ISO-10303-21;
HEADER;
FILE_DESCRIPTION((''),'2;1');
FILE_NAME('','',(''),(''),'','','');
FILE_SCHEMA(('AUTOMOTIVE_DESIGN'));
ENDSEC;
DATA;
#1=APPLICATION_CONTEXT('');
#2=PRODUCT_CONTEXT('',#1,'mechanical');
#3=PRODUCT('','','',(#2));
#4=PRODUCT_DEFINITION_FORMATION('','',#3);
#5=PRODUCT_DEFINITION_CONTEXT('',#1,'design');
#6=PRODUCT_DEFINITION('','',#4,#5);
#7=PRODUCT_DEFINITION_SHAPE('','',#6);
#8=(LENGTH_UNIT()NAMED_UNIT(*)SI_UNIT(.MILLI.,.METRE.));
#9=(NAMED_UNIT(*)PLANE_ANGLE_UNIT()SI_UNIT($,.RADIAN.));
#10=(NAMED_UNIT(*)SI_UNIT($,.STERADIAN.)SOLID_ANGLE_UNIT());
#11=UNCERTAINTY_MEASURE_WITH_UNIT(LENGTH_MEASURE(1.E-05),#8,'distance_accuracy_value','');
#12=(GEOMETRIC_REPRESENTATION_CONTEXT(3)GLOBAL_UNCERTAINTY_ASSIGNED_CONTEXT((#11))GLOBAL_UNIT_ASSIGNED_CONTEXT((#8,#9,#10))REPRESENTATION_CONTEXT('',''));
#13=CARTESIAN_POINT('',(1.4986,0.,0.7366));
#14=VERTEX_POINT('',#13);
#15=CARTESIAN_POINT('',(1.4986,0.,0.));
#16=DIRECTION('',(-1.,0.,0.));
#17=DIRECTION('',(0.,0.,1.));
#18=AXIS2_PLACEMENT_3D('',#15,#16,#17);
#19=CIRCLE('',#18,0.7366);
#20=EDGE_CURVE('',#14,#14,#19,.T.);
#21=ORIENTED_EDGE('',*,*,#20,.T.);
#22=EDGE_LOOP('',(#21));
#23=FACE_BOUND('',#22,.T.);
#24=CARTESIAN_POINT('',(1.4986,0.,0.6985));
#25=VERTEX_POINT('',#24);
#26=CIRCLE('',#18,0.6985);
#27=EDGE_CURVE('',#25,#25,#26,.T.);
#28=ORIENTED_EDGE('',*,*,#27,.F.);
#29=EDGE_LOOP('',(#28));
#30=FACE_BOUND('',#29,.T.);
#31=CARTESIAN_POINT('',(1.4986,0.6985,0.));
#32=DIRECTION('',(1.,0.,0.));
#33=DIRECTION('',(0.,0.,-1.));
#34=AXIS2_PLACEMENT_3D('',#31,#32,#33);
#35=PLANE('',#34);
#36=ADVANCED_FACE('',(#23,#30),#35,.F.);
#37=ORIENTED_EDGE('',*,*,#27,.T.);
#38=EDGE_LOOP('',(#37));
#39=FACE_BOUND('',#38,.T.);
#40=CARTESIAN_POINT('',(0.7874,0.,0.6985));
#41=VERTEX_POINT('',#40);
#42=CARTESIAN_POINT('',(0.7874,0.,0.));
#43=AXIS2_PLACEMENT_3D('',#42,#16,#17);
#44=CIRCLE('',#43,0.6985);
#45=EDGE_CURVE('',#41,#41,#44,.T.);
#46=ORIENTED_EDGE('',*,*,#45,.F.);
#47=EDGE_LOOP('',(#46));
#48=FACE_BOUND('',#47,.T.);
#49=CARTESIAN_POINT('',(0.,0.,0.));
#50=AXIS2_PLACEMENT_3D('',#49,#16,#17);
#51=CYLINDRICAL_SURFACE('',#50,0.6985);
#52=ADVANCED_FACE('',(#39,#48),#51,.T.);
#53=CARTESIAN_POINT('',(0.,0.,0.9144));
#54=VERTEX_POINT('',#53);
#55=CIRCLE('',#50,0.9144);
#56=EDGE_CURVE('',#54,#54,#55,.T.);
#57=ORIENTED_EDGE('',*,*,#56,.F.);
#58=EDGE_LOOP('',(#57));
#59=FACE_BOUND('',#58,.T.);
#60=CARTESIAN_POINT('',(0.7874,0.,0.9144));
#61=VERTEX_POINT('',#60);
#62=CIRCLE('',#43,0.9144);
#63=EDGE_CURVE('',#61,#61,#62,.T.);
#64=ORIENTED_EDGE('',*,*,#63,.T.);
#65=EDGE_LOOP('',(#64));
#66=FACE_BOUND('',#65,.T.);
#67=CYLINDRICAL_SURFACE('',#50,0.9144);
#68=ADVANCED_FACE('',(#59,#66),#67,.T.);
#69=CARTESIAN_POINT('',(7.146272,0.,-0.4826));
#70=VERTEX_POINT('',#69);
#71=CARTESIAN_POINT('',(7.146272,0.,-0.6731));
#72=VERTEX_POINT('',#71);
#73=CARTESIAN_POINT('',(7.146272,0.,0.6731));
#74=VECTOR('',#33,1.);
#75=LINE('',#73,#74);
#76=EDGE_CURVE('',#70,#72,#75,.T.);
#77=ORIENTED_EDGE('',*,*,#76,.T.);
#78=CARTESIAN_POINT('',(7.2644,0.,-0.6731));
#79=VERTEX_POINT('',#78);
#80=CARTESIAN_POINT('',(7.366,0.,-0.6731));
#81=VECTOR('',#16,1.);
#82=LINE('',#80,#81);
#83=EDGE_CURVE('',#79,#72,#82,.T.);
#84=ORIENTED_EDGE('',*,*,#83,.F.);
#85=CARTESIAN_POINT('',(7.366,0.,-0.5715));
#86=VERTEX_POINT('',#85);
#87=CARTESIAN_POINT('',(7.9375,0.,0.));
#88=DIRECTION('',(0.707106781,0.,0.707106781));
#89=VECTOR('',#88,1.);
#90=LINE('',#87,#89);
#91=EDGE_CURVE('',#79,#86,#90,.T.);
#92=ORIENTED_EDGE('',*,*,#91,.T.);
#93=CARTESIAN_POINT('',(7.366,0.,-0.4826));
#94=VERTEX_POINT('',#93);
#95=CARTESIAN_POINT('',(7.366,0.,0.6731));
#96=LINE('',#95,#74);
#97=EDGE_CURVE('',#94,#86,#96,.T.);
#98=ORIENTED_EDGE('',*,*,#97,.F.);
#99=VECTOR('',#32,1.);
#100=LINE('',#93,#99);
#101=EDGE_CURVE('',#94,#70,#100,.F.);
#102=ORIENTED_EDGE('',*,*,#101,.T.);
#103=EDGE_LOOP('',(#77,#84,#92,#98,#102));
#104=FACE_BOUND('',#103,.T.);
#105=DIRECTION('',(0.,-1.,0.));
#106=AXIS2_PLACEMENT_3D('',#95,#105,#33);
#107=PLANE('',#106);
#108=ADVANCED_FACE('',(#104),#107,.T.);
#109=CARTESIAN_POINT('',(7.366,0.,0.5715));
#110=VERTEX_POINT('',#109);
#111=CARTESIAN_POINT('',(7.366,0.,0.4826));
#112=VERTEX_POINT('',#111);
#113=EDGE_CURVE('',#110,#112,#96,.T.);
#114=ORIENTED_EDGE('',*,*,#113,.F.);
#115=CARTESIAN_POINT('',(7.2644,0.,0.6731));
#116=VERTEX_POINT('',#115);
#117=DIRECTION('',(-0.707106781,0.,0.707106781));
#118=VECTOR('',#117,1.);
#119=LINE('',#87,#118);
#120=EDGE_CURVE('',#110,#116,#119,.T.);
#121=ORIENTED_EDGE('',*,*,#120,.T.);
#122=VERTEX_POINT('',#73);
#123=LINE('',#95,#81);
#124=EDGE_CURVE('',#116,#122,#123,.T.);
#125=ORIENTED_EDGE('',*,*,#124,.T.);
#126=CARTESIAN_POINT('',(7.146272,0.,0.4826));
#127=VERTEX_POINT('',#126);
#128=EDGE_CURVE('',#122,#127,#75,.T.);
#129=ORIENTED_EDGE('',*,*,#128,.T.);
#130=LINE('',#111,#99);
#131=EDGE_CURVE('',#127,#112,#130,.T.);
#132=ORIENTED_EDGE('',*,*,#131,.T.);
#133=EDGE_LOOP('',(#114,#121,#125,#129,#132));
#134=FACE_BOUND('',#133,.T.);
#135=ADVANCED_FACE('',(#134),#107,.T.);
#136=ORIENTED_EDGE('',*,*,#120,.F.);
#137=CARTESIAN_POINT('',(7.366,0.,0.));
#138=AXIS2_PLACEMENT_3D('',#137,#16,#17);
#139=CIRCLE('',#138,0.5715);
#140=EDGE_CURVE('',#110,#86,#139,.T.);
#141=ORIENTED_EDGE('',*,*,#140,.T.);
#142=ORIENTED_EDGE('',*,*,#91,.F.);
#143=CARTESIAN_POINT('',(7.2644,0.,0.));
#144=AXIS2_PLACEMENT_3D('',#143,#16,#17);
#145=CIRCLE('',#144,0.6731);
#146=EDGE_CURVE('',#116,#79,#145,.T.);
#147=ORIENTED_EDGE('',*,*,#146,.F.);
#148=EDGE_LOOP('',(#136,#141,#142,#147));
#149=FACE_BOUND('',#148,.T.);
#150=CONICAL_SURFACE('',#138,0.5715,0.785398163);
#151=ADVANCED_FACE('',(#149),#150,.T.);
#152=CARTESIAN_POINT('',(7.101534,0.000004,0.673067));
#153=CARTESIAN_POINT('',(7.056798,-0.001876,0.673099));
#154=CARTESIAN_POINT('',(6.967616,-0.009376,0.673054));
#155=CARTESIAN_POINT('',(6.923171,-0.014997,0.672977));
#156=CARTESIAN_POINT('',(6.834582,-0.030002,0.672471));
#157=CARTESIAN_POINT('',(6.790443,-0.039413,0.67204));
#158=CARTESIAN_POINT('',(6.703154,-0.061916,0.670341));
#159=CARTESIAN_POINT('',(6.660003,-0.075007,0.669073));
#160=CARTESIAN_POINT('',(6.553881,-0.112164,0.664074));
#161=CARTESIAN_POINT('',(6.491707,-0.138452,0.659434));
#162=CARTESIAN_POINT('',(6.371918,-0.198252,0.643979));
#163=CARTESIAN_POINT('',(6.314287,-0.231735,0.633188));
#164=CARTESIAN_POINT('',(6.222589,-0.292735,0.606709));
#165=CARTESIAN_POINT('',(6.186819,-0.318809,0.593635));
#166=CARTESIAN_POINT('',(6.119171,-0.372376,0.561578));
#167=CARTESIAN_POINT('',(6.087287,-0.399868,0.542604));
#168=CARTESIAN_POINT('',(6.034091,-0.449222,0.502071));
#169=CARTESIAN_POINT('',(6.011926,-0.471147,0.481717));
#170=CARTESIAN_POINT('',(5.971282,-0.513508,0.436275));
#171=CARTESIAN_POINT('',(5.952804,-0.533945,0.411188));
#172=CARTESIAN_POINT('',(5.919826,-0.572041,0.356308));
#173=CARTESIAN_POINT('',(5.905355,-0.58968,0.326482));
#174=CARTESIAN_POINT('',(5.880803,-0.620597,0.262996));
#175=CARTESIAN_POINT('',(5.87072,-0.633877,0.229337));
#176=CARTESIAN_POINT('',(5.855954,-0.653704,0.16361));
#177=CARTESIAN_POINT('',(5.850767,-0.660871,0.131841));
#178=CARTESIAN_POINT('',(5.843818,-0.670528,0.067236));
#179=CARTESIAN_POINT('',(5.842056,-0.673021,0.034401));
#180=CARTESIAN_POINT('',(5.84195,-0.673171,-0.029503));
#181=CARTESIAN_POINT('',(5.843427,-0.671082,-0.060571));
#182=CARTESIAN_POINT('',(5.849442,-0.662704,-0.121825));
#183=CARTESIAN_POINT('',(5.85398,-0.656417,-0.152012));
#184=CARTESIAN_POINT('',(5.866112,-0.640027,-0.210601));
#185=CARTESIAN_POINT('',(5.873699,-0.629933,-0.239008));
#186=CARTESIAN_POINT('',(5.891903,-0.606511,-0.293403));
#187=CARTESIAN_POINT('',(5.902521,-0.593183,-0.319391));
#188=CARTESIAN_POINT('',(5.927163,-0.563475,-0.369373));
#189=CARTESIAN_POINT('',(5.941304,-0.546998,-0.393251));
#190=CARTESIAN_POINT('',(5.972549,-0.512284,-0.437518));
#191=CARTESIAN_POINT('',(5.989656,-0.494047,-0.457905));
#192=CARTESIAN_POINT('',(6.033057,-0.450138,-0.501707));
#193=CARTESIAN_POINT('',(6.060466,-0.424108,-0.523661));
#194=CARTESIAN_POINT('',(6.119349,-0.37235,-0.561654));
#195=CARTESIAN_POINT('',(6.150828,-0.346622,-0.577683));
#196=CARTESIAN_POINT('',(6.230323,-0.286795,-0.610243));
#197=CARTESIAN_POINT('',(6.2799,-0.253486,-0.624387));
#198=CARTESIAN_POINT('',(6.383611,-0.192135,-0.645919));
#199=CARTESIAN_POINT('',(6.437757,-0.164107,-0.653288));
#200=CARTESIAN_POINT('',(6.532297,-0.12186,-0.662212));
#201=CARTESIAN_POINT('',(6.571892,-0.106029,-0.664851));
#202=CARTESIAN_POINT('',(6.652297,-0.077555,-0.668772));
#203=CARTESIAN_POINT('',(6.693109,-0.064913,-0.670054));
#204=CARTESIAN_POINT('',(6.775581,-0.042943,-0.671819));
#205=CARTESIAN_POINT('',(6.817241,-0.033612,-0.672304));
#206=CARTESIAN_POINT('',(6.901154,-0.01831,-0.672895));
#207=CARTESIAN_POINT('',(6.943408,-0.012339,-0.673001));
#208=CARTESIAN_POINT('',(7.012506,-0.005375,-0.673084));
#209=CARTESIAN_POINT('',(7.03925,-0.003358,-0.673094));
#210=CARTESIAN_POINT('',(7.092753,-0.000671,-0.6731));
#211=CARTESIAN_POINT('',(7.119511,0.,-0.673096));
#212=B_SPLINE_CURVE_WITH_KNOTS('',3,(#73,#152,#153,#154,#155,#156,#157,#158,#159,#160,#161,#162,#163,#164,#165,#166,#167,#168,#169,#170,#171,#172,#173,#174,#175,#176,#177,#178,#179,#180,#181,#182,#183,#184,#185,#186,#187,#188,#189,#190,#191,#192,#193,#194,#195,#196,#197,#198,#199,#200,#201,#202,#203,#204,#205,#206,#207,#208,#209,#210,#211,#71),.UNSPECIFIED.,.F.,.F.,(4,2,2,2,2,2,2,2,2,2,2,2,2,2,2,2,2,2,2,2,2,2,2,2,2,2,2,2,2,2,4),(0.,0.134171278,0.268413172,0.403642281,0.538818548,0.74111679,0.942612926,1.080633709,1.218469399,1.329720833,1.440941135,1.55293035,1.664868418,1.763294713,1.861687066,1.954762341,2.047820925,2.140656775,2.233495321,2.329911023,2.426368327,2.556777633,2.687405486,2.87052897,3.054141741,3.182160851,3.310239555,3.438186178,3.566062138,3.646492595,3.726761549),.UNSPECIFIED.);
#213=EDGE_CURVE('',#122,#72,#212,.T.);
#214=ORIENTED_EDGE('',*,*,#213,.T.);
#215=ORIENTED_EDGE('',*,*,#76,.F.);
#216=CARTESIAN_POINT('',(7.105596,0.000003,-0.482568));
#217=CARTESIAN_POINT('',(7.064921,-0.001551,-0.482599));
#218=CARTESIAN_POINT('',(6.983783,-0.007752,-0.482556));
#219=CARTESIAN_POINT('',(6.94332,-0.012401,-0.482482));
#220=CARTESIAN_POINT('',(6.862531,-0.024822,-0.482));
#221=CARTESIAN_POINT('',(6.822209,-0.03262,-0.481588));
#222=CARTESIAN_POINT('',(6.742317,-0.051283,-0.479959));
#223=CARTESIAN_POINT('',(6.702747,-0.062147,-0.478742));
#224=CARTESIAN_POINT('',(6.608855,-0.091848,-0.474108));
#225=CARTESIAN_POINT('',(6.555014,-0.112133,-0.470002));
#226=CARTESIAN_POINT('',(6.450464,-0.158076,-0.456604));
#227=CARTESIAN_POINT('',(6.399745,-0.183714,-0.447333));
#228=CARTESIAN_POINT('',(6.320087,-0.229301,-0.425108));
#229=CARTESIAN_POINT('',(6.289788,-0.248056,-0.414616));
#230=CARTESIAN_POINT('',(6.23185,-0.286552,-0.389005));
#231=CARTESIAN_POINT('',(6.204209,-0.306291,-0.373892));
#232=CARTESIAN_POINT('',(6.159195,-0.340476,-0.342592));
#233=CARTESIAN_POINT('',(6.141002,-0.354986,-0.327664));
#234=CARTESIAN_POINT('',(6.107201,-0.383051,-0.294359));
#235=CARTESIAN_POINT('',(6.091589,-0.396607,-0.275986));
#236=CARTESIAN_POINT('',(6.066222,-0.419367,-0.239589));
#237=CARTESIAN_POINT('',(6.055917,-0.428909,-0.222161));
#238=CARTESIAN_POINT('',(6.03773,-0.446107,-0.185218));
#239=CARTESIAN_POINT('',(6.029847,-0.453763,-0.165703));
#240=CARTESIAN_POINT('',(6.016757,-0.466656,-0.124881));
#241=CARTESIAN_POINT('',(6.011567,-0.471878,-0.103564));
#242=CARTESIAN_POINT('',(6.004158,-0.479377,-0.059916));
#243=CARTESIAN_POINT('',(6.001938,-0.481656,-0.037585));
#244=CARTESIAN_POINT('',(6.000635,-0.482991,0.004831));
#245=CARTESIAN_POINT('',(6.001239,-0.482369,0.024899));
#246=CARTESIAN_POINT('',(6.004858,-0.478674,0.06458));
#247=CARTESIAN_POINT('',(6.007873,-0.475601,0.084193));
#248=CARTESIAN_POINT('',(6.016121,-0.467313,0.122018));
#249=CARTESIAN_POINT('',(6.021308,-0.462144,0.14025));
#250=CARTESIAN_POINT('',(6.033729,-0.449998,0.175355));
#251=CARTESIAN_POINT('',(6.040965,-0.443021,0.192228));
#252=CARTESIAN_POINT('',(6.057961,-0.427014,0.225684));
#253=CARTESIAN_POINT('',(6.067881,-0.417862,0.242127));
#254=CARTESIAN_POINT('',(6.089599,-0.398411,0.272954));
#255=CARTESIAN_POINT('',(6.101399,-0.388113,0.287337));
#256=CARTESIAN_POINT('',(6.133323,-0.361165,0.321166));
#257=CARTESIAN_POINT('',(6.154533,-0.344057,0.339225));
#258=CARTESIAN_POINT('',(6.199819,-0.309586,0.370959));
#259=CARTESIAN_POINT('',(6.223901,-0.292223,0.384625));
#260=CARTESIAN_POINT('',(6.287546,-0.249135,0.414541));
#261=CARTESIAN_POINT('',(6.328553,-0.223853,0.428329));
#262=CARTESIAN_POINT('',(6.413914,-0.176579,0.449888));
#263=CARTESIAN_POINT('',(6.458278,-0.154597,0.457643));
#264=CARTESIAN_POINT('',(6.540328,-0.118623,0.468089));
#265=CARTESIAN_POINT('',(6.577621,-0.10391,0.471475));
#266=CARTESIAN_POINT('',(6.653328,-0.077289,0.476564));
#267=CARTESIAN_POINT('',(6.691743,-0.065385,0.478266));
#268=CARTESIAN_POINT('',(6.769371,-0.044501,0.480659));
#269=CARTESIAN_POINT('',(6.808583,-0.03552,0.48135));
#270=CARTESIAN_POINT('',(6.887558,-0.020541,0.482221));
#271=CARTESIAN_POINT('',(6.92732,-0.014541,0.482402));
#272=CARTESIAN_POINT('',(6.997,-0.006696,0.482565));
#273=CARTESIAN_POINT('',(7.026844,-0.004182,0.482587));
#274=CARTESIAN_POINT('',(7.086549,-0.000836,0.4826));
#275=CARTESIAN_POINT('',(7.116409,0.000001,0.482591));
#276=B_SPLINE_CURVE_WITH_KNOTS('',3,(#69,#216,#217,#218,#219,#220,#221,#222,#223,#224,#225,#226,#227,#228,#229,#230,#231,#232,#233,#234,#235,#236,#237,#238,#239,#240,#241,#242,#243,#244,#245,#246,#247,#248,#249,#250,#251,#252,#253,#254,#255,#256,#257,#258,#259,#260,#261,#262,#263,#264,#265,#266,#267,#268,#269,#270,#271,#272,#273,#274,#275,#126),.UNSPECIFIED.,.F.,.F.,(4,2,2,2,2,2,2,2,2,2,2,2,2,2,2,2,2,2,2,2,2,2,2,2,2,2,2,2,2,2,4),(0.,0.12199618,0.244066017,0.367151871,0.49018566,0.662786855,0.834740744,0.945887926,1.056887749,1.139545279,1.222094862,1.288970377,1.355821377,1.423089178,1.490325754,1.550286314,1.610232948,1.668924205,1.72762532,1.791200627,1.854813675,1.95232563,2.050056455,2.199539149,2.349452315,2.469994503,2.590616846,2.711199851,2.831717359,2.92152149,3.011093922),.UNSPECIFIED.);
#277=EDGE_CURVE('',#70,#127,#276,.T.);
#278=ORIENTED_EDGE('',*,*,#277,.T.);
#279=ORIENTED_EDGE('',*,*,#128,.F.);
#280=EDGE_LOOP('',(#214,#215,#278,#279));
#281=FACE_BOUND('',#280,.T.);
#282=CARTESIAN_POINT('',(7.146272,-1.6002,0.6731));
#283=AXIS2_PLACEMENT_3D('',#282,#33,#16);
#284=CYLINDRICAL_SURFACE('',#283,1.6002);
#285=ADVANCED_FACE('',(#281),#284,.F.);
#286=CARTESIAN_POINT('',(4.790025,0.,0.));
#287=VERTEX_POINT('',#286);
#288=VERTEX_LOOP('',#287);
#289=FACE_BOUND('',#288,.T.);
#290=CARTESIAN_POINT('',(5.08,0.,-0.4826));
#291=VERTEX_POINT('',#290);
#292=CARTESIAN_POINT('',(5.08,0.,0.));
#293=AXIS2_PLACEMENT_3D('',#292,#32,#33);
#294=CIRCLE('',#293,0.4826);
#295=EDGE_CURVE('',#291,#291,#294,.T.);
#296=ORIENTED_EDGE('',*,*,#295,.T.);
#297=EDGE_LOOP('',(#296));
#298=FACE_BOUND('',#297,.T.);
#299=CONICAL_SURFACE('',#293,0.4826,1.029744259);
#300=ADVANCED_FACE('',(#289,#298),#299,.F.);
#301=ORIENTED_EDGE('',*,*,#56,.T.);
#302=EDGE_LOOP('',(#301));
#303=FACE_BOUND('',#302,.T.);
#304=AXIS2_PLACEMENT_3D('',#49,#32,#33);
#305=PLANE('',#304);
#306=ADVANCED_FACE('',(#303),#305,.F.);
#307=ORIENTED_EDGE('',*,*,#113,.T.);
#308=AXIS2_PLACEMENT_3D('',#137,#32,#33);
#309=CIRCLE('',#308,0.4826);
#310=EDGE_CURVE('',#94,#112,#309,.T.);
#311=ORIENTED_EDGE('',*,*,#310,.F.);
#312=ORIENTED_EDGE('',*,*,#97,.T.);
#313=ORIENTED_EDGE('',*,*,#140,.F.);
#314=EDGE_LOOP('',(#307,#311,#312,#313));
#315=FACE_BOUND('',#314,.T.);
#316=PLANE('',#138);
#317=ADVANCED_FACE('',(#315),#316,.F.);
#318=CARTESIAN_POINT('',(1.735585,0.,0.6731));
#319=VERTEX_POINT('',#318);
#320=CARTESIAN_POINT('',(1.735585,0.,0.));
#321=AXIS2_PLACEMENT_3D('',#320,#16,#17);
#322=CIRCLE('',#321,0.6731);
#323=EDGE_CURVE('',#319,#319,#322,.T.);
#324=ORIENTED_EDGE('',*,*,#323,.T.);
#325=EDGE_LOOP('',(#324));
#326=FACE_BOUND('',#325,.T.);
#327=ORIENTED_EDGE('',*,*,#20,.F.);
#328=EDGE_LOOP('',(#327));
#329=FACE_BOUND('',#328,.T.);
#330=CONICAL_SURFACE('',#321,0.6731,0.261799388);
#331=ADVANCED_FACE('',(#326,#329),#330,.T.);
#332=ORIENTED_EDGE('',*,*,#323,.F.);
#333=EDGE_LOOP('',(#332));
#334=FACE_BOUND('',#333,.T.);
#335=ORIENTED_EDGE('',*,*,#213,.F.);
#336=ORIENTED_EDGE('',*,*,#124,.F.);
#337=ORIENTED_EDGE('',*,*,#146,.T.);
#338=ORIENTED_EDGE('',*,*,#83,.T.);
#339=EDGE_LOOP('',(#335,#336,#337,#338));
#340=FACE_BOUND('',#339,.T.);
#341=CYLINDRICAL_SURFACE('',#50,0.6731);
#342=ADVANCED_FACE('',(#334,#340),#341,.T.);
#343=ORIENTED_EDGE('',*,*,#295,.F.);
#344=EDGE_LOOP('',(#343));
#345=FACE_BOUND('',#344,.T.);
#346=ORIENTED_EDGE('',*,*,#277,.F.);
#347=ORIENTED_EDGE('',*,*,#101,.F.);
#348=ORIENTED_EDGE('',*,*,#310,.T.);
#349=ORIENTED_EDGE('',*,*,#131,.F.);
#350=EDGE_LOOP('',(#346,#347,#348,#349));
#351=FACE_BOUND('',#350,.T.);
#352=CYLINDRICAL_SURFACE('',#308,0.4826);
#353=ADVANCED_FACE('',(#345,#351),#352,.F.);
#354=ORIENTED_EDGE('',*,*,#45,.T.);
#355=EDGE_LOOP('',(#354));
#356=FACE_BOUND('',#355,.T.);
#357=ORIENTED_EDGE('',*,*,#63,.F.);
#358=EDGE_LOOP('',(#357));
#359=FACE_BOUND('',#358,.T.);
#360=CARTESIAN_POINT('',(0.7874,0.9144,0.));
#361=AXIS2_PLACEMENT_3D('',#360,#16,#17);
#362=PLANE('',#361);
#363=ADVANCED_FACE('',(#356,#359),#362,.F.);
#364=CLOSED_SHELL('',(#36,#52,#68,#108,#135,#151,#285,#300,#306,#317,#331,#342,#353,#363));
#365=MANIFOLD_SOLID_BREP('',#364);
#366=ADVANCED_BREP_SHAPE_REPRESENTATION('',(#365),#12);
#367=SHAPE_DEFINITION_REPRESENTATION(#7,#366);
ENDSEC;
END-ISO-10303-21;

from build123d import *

# Parameters (mm, degrees)
HOLE1_D             = 0.9652
HOLE1_DEPTH         = 2.286
HOLE1_TIP           = 0.289975335
EXTRUDE1_DEPTH      = 0.6731
EXTRUDE1_DEPTH_BACK = 0.6731


with BuildPart() as part:
    # Sketch1 → RevolutionAngle1 (revolve)
    with BuildSketch(Plane.XY):
        Polygon((7.2644, 0.6731), (7.366, 0.5715), (7.366, 0), (0, 0), (0, 0.9144), (0.7874, 0.9144), (0.7874, 0.6985), (1.4986, 0.6985), (1.4986, 0.7366), (1.735585226, 0.6731), align=None)
    revolve(axis=Axis((0, 0, 0), (1, 0, 0)))

    # Hole1
    with Locations(Plane(origin=(7.366, 0, 0), x_dir=(0, 0, 1), z_dir=(1, 0, 0))):
        with Locations((0, 0)):
            Hole(HOLE1_D / 2, depth=HOLE1_DEPTH)
            with Locations((0, 0, -(HOLE1_DEPTH + HOLE1_TIP / 2))):  # 118° drill point
                Cone(0, HOLE1_D / 2, HOLE1_TIP, mode=Mode.SUBTRACT)

    # Sketch6 → Extrude1 (cut, two sides: drawn at the far end of the back side and taken through both)
    with BuildSketch(Plane.XY.offset(-EXTRUDE1_DEPTH_BACK)):
        with BuildLine():
            Line((5.842, -0.6731), (7.366, -0.6731))
            Line((7.366, -0.6731), (7.366, 0))
            Line((7.366, 0), (7.146272069, 0))
            ThreePointArc((7.146272069, 0), (6.412414242, -0.17819693), (5.842, -0.6731))
        make_face()
    extrude(amount=EXTRUDE1_DEPTH + EXTRUDE1_DEPTH_BACK, mode=Mode.SUBTRACT)


solid = part.part
